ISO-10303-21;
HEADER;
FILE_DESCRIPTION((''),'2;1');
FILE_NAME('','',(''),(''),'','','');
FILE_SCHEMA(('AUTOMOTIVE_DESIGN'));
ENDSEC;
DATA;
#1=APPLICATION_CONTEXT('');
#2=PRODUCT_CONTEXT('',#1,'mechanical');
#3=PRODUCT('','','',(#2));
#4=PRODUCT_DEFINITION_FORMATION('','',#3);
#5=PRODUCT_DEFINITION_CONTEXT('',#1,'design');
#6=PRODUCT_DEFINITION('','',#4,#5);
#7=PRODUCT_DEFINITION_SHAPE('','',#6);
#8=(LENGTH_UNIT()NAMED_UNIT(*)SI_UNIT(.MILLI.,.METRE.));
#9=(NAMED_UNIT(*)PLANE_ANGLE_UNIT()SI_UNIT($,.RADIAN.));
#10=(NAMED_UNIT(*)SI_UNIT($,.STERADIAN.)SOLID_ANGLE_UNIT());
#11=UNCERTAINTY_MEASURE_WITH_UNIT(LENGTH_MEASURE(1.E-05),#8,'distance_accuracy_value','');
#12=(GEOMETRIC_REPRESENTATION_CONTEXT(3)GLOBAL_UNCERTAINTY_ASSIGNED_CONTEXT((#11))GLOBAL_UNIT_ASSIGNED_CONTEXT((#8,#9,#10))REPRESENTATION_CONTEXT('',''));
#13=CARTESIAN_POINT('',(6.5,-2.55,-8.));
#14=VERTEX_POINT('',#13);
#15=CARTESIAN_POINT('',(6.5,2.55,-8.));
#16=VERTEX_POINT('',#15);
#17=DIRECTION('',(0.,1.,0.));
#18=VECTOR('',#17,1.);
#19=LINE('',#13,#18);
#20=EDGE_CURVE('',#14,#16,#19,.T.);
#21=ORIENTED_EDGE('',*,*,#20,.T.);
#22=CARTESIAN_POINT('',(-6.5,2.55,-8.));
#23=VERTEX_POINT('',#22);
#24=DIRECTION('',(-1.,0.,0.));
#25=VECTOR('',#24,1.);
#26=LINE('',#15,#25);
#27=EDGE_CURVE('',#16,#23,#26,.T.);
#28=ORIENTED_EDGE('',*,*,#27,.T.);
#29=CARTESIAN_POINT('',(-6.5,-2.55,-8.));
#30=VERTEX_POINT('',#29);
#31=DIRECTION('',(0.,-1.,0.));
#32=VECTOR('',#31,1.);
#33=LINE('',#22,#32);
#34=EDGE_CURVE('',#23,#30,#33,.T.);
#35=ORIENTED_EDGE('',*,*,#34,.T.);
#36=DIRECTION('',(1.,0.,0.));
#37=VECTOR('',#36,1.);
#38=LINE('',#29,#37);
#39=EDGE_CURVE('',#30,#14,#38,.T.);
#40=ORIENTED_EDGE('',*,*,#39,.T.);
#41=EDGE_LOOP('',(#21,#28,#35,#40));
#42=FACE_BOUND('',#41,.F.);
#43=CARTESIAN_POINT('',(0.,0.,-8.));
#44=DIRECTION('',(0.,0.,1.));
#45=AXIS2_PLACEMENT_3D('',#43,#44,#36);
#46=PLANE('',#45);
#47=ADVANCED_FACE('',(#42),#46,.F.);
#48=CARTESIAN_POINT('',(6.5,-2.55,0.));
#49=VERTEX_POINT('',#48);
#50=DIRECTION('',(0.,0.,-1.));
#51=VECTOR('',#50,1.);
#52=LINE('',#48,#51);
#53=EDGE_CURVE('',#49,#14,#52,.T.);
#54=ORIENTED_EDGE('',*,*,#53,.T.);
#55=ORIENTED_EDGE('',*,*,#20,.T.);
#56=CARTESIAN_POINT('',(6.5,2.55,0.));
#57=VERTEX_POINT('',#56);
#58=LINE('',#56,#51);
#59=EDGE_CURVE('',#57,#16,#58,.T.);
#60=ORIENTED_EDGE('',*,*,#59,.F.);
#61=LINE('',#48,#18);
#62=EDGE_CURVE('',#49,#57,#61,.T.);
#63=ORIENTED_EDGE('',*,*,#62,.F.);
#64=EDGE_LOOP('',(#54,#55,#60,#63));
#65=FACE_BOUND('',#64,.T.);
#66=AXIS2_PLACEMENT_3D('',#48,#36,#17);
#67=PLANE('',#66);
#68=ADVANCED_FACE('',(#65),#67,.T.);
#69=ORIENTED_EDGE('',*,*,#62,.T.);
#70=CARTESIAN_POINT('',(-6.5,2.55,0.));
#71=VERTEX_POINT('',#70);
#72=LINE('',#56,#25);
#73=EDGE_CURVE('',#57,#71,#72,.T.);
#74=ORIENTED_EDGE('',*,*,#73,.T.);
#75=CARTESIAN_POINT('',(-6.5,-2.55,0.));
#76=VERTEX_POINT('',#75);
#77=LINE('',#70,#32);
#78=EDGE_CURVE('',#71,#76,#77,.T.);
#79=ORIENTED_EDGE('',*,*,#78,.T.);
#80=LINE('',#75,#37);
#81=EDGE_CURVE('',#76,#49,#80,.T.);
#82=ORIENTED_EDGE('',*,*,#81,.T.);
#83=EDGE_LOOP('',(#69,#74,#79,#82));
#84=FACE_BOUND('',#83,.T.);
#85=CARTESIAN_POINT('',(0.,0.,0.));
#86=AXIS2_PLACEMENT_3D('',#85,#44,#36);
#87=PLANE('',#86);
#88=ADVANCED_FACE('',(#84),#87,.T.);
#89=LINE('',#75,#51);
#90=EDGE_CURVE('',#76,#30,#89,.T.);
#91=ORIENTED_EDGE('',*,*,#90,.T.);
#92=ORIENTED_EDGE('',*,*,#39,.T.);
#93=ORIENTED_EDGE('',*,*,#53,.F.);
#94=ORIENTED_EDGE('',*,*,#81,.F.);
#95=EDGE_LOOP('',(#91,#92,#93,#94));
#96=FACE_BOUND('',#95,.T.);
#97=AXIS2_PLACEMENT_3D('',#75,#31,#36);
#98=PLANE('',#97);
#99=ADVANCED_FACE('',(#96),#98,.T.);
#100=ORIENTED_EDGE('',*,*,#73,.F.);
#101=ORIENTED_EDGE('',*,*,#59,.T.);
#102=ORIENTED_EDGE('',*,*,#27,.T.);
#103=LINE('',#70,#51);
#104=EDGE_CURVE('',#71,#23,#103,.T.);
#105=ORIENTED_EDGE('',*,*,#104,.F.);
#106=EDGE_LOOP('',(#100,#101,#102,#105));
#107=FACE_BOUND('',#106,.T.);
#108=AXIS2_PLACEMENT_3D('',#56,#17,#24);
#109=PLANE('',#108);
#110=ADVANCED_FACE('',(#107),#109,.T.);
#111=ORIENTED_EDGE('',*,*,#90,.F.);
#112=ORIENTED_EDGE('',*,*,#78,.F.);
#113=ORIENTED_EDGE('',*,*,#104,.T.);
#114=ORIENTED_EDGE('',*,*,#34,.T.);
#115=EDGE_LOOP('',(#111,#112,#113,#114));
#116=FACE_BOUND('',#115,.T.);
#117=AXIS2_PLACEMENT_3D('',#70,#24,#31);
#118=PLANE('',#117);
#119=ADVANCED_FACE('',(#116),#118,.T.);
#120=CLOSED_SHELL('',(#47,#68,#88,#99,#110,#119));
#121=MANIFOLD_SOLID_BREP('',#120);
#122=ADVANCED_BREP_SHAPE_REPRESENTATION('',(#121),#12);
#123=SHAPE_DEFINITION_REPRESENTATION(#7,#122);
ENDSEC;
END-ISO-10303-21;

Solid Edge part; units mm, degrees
sketch "Sketch1" plane through (0, 0, 0) normal (0, 0, 1) x (1, 0, 0)
  line L0 (-6.5, -2.55) -> (6.5, -2.55)
  line L1 (6.5, -2.55) -> (6.5, 2.55)
  line L2 (6.5, 2.55) -> (-6.5, 2.55)
  line L3 (-6.5, 2.55) -> (-6.5, -2.55)
  dimension "D1" = 5.1
  dimension "D2" = 13
extrude "Protrusion1" add sketch "Sketch1" against normal blind 8
